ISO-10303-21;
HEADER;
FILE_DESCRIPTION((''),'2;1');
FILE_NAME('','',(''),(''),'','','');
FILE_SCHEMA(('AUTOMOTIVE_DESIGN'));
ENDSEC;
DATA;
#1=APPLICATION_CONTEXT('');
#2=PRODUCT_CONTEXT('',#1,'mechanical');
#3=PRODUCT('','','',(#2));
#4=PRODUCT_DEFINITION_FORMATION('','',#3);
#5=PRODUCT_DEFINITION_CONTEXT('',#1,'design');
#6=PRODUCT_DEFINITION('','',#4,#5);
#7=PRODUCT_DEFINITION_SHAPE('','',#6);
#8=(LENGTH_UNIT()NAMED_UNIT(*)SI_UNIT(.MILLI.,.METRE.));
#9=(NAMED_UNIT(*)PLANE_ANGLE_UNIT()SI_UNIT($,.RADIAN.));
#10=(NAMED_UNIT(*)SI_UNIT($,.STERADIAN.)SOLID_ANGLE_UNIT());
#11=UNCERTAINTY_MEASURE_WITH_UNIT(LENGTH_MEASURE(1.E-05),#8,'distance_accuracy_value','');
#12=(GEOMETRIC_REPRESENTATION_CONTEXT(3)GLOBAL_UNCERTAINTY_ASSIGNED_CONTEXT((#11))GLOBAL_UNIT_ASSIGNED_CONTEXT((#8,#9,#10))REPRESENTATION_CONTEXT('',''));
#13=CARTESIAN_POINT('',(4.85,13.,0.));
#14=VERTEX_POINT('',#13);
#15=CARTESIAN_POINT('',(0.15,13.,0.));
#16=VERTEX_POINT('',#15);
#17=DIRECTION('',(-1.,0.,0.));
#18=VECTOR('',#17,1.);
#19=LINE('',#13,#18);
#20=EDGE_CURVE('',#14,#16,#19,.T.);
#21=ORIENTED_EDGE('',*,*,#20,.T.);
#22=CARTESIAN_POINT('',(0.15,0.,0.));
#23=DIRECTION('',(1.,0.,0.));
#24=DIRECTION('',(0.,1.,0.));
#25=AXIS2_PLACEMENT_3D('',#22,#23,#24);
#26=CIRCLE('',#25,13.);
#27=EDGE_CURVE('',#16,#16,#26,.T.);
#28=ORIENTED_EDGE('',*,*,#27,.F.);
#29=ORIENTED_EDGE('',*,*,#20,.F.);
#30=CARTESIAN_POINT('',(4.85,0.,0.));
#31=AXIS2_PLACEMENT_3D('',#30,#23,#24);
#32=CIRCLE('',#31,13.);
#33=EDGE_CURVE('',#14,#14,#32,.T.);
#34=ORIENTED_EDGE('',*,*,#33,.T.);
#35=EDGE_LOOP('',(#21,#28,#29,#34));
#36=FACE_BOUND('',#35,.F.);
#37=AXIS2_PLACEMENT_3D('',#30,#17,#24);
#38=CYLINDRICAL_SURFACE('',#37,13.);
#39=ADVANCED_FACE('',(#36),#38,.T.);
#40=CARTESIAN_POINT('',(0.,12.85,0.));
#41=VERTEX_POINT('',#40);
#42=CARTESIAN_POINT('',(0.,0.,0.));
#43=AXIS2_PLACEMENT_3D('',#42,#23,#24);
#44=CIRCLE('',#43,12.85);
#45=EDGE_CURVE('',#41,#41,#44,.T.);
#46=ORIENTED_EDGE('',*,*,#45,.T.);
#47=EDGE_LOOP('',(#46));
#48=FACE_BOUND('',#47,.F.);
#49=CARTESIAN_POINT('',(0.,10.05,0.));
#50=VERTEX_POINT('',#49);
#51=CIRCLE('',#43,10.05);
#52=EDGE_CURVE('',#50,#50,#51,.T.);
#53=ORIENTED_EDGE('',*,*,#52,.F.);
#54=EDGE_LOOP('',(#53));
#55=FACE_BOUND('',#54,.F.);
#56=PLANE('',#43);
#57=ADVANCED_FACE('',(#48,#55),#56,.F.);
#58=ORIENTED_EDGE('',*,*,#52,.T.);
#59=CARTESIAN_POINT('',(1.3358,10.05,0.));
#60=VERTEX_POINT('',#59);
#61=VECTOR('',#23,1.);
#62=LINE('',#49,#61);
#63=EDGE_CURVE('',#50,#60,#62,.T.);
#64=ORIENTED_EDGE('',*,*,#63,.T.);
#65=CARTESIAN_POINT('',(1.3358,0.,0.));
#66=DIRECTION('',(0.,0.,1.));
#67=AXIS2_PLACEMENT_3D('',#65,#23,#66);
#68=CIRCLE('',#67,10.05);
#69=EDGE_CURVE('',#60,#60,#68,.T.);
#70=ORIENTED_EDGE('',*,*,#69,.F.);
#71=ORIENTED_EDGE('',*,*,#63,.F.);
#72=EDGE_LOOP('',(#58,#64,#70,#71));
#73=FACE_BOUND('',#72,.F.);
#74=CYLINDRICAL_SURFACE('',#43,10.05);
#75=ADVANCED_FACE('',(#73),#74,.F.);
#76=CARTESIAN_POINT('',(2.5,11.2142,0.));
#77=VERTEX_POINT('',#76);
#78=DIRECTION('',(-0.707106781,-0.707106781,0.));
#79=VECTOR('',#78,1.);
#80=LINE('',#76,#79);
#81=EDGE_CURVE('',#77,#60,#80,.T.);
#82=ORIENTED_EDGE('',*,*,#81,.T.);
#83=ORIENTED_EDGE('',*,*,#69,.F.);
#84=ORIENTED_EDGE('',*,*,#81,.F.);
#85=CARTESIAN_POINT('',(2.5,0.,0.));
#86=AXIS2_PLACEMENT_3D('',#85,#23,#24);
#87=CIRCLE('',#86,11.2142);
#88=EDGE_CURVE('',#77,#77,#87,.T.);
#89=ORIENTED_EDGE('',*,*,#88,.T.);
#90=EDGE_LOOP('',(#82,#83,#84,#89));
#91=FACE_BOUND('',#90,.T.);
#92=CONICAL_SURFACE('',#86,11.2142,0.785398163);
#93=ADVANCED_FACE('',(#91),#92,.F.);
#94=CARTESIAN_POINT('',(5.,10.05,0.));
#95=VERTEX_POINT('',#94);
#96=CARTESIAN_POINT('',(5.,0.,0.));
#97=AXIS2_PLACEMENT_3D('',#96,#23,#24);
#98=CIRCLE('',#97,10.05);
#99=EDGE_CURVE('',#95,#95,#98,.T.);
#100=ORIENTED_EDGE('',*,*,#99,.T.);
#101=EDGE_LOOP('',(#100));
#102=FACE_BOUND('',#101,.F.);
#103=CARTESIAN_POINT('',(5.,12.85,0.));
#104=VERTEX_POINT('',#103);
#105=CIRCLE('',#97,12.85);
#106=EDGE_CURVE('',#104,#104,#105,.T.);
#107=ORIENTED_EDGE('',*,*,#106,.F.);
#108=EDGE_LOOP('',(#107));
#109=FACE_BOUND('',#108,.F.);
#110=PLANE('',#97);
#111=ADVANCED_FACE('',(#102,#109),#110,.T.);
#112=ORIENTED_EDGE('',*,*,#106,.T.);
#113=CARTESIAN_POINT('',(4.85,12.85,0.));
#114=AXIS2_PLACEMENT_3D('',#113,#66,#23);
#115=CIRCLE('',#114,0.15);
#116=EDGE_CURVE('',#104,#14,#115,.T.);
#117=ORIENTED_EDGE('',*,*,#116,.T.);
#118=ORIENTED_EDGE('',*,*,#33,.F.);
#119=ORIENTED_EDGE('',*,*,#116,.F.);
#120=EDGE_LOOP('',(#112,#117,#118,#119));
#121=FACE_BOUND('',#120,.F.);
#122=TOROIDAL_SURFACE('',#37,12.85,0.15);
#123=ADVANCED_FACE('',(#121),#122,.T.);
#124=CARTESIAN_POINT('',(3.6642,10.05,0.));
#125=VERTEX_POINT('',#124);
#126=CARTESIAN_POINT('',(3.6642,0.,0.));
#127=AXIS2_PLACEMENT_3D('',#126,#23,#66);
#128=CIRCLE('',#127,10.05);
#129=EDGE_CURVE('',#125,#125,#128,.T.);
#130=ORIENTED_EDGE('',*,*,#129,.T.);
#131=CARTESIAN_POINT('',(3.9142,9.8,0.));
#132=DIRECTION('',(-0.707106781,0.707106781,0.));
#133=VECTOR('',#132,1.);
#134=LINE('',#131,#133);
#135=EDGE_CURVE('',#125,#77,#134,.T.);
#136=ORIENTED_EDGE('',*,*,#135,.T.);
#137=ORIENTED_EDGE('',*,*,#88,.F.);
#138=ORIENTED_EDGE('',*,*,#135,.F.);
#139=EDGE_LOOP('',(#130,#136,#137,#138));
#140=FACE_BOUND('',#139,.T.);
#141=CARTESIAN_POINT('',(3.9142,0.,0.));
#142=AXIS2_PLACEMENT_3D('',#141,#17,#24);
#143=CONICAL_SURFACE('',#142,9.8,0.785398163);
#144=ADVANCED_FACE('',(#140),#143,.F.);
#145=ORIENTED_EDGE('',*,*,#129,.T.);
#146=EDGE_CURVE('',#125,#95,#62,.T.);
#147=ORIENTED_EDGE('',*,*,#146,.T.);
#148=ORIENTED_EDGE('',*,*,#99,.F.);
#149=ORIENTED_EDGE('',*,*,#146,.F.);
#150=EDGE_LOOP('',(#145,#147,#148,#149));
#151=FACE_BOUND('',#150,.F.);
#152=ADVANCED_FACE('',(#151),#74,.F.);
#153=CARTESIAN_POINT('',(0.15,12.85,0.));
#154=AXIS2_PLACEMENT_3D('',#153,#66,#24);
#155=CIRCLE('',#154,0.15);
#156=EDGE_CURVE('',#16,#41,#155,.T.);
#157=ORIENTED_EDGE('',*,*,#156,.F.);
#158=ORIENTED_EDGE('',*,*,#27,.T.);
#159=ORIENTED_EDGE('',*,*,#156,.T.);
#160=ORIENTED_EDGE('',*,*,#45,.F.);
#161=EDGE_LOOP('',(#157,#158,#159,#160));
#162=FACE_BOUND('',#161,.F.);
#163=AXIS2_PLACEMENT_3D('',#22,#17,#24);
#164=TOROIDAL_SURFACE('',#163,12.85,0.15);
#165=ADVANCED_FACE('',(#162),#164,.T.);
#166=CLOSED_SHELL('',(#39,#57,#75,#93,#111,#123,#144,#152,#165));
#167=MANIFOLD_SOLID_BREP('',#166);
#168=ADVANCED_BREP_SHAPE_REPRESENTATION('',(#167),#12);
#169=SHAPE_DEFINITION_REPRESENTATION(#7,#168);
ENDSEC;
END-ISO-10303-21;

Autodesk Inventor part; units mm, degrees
ref_plane "YZ Plane" through (0, 0, 0) normal (1, 0, 0) x (0, 1, 0)
ref_plane "XZ Plane" through (0, 0, 0) normal (0, 1, 0) x (-1, 0, 0)
ref_plane "XY Plane" through (0, 0, 0) normal (0, 0, 1) x (1, 0, 0)
sketch "Sketch_1" plane through (0, 0, 0) normal (0, 0, 1) x (1, 0, 0)
  line L0 (5, 0) -> (0, 0)
  line L1 (0, 10.05) -> (5, 10.05)
  line L2 (5, 10.05) -> (5, 12.85)
  arc A0 (5, 12.85) -> (4.85, 13) centre (4.85, 12.85) ccw
  line L3 (4.85, 13) -> (0.15, 13)
  arc A1 (0.15, 13) -> (0, 12.85) centre (0.15, 12.85) ccw
  line L4 (0, 12.85) -> (0, 10.05)
revolve "Revolution1" add sketch "Sketch_1" angle 360 about axis through (5, 0, 0) along (1, 0, 0)
sketch "Sketch_4" plane through (0, 0, 0) normal (0, 0, 1) x (1, 0, 0)
  line L0 (3.5, 0) -> (1.5, 0)
  line L1 (1.0858, 9.8) -> (2.5, 8.3858)
  line L2 (2.5, 8.3858) -> (3.9142, 9.8)
  line L3 (3.9142, 9.8) -> (2.5, 11.2142)
  line L4 (2.5, 11.2142) -> (1.0858, 9.8)
revolve "Revolution2" cut sketch "Sketch_4" angle 360 about axis through (3.5, 0, 0) along (1, 0, 0)
properties part number "CRBT155A_PART2" material "ステンレス鋼"
